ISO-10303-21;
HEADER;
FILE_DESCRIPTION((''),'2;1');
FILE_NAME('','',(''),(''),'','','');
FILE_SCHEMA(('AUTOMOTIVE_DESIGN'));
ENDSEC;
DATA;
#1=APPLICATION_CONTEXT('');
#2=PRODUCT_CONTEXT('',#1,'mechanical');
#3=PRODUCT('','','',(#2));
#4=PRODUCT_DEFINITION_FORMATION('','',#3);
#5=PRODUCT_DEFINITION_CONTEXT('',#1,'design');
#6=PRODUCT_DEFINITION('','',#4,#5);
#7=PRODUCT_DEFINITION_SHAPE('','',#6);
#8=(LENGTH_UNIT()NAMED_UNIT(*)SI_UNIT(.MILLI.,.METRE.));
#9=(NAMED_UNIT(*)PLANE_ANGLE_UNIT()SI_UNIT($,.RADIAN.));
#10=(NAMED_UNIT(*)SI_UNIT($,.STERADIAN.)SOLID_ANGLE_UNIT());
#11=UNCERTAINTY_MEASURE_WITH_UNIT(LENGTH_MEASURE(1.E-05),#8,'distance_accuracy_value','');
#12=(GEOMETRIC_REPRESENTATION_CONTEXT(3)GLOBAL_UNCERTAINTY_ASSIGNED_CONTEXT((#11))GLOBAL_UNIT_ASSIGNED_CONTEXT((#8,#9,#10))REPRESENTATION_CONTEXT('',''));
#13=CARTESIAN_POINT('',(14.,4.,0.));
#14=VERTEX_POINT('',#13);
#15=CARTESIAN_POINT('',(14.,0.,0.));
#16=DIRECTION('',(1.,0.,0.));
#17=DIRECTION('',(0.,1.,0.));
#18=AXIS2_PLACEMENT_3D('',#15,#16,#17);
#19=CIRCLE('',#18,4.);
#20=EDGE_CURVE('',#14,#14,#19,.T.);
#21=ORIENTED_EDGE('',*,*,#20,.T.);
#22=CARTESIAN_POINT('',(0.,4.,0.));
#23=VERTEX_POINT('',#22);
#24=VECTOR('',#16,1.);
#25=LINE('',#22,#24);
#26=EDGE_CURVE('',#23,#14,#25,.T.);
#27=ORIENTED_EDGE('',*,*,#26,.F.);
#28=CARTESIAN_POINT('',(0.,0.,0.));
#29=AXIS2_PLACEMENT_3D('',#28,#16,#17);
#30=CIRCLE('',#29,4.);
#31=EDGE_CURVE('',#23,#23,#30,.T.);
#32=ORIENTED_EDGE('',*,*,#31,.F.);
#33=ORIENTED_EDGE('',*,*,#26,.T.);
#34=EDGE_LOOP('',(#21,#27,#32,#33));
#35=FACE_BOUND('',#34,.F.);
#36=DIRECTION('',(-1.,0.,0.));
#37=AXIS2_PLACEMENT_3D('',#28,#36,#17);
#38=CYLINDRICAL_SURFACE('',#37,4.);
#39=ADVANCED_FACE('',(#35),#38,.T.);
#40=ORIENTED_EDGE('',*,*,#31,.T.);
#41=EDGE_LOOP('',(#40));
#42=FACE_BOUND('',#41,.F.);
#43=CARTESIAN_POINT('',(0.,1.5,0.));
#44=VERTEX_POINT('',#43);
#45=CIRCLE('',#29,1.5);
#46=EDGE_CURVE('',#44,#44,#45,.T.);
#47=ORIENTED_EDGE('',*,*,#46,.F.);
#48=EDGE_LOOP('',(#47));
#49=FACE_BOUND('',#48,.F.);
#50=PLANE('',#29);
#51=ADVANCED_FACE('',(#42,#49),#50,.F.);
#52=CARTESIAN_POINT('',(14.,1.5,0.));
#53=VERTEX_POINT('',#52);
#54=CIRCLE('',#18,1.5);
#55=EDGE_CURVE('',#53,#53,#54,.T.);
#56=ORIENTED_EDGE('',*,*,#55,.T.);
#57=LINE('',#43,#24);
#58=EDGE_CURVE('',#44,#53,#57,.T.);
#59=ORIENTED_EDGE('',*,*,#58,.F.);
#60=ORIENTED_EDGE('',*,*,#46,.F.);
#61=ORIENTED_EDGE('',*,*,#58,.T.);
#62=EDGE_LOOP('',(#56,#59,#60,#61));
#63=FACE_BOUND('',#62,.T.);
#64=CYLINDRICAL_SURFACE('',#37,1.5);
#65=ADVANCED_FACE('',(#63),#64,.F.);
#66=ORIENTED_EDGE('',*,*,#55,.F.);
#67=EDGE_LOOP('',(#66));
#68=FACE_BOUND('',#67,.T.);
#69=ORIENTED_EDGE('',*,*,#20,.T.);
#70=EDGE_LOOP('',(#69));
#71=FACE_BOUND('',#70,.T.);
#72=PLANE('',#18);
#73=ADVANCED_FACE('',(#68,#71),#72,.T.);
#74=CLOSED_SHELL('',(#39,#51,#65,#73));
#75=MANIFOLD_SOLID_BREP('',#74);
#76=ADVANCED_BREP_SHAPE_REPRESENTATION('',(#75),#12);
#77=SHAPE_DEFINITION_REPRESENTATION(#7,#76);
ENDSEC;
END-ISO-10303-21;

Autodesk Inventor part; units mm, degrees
ref_plane "YZ Plane" through (0, 0, 0) normal (1, 0, 0) x (0, 1, 0)
ref_plane "XZ Plane" through (0, 0, 0) normal (0, 1, 0) x (-1, 0, 0)
ref_plane "XY Plane" through (0, 0, 0) normal (0, 0, 1) x (1, 0, 0)
sketch "スケッチ1" plane through (0, 0, 0) normal (1, 0, 0) x (0, 1, 0)
  circle A0 centre (0, 0) radius 1.5
  circle A1 centre (0, 0) radius 4
  dimension "d0" = 3
  dimension "d1" = 8
extrude "押し出し1" add sketch "スケッチ1" along normal blind 14
properties part number "RZvector-v1-Shaft-B-Ts" material "アルミニウム 6061"
